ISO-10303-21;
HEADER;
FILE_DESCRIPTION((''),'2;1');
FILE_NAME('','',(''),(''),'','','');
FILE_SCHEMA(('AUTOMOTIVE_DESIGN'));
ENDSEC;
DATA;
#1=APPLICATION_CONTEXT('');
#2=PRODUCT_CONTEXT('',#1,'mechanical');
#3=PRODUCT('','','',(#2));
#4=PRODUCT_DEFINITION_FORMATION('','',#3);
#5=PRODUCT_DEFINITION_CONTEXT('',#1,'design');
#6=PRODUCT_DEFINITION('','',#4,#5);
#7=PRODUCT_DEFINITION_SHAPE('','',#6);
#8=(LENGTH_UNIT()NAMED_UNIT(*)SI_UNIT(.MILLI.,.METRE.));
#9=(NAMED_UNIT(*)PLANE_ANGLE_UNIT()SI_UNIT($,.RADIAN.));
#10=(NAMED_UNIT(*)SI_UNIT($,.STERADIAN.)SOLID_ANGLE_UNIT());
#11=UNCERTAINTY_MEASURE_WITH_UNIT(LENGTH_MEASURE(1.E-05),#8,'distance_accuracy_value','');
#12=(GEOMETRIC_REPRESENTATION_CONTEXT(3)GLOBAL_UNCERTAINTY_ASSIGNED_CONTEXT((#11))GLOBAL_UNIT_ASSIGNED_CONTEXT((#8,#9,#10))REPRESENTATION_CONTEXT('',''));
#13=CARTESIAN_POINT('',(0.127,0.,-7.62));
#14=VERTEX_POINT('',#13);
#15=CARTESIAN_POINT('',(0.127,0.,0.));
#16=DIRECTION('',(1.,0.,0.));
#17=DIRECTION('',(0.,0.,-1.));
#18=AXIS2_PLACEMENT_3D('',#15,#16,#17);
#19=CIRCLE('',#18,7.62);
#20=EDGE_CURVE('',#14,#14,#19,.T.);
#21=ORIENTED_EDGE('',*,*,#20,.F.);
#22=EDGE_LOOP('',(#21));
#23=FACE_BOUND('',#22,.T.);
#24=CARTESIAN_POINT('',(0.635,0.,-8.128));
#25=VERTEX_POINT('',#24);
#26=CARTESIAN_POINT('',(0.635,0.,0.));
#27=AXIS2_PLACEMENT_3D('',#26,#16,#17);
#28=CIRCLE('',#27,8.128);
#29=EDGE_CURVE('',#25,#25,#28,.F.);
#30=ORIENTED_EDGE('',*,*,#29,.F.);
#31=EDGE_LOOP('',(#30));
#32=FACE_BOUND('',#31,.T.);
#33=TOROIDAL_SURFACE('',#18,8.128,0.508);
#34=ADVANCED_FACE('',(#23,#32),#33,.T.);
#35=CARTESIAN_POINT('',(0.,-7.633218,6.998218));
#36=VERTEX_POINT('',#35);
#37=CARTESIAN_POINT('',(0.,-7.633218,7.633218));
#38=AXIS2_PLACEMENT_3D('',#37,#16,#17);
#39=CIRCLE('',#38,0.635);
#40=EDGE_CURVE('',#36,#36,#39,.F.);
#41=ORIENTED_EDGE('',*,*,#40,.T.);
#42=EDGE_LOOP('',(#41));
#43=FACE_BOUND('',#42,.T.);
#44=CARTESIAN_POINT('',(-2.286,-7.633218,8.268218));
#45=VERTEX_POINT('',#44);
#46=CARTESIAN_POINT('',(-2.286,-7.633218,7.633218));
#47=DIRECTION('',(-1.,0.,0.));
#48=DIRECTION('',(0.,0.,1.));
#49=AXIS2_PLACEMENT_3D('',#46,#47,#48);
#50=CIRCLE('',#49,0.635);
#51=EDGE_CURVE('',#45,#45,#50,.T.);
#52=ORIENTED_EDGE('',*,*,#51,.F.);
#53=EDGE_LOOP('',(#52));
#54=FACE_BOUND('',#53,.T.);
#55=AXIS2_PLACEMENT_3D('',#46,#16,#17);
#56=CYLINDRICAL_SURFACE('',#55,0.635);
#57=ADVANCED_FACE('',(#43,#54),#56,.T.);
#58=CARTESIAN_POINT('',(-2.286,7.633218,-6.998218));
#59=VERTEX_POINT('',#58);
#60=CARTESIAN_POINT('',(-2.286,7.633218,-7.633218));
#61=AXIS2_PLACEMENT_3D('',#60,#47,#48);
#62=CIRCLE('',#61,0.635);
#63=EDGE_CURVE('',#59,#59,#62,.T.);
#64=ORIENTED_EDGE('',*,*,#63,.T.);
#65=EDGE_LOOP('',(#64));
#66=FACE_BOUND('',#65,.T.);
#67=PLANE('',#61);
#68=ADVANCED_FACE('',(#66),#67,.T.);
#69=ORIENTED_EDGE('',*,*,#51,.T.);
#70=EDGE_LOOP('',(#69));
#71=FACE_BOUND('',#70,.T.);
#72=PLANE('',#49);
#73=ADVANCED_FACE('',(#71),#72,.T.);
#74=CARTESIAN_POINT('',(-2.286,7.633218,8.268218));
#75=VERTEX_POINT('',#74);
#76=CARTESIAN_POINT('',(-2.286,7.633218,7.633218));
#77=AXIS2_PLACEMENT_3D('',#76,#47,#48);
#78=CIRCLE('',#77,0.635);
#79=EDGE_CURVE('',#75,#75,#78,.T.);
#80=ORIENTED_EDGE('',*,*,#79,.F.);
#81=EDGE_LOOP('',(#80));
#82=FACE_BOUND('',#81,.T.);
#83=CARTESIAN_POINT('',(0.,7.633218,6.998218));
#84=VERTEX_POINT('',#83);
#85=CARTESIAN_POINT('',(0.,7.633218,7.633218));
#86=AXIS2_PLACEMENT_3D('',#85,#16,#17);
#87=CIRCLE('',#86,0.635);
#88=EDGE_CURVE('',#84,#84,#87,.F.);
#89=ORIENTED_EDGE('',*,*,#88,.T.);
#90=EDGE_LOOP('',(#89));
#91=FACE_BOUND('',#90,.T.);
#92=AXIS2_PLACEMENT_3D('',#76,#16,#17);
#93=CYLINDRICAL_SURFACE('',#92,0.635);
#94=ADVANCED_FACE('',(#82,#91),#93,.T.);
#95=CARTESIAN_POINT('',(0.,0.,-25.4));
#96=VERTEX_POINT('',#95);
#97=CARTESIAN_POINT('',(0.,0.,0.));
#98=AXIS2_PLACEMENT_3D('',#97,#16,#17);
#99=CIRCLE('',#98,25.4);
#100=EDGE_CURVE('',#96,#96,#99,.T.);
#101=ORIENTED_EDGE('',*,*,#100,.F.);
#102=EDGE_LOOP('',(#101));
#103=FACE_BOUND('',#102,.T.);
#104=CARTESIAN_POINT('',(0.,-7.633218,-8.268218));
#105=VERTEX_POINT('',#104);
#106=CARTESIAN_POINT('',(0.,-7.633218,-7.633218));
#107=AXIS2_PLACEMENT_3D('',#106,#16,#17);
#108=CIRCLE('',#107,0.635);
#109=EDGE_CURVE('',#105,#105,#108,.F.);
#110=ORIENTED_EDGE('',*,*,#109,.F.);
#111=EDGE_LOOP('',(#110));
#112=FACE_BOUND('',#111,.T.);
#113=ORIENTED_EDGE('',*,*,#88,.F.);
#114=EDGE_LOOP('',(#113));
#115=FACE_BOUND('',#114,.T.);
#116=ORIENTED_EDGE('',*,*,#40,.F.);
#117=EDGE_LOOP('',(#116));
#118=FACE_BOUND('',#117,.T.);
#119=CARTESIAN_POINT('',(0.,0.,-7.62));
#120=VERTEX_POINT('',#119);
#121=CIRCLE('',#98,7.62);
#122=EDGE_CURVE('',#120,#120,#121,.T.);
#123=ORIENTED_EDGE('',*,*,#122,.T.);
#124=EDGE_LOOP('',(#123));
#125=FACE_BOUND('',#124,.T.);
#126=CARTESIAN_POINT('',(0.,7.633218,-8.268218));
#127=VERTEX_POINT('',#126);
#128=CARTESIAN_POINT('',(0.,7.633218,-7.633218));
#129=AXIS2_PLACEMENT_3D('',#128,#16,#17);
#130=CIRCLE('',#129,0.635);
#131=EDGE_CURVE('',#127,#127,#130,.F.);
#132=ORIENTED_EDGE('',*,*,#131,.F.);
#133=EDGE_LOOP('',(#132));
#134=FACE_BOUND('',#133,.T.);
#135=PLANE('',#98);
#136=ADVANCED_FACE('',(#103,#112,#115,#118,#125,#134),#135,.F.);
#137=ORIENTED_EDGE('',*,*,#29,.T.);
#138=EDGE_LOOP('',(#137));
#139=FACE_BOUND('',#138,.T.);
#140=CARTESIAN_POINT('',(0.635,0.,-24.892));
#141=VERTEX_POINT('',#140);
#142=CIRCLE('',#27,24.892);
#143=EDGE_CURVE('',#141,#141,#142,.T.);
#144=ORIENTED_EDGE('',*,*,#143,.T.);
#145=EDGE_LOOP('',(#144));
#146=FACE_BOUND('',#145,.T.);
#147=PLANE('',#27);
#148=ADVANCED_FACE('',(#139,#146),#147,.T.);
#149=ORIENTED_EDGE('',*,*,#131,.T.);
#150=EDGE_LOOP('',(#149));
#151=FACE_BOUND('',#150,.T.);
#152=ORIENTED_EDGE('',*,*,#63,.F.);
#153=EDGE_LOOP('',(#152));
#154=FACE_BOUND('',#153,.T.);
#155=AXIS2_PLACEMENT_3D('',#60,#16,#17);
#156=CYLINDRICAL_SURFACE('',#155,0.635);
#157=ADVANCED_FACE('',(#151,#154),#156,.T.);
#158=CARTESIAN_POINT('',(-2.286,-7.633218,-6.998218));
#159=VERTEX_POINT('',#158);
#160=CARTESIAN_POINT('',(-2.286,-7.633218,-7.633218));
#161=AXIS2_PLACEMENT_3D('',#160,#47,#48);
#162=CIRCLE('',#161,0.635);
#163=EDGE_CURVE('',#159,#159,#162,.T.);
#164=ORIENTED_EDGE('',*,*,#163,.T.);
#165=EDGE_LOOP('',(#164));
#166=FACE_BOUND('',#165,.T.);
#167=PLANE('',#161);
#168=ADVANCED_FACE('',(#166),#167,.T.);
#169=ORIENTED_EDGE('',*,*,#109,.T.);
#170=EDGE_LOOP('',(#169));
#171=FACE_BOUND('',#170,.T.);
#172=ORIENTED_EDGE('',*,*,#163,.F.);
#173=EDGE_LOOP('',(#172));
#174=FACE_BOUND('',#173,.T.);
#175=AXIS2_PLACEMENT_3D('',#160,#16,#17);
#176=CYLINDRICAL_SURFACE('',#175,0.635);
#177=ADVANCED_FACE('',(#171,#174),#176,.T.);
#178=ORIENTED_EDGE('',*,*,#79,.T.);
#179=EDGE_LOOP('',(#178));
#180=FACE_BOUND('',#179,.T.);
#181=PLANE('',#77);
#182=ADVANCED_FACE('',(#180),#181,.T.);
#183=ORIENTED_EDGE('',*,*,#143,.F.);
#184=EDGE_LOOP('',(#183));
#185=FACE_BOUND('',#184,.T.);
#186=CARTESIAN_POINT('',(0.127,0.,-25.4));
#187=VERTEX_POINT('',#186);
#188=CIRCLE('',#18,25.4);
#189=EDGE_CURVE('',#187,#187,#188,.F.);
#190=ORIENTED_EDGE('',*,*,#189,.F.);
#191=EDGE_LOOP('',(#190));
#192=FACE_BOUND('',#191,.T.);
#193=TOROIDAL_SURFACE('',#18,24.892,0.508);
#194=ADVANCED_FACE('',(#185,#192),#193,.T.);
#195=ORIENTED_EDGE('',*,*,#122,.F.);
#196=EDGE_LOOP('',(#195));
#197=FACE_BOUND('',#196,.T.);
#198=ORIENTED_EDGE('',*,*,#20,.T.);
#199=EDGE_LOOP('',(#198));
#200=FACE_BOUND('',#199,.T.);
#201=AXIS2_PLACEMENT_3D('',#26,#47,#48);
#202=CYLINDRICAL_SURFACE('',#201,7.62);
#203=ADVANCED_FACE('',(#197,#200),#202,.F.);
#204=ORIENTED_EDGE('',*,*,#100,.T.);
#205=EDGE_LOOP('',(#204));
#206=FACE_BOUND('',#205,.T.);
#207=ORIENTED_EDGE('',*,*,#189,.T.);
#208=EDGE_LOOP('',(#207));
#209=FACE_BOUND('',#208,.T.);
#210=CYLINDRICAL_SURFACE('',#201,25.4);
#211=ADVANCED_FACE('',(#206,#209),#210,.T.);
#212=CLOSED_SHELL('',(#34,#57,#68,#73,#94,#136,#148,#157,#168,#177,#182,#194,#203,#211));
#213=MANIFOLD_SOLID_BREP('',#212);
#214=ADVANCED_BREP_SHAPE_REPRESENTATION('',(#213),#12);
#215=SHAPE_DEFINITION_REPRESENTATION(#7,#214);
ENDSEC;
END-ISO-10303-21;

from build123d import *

# Parameters (mm, degrees)
SKETCH1_R           = 25.4
SKETCH1_R_2         = 7.62
BOSS_EXTRUDE1_DEPTH = 0.635
FILLET1_R           = 0.508
SKETCH2_R           = 0.635
BOSS_EXTRUDE2_DEPTH = 2.286


with BuildPart() as part:
    # Sketch1 → Boss-Extrude1 (new body)
    with BuildSketch(Plane(origin=(0, 0, 0), x_dir=(0, 0, -1), z_dir=(1, 0, 0))):
        Circle(SKETCH1_R)
        Circle(SKETCH1_R_2, mode=Mode.SUBTRACT)
    extrude(amount=BOSS_EXTRUDE1_DEPTH)

    # Fillet1
    fillet1_edges = [part.edges().sort_by_distance(p)[0] for p in [
        (0.635, 0, 25.4),
        (0.635, 0, 7.62),
    ]]
    fillet(fillet1_edges, radius=FILLET1_R)

    # Sketch2 → Boss-Extrude2 (add)
    with BuildSketch(Plane.ZY):
        with Locations((-7.633217703, 7.633217703)):
            Circle(SKETCH2_R)
        with Locations((7.633217703, 7.633217703)):
            Circle(SKETCH2_R)
        with Locations((7.633217703, -7.633217703)):
            Circle(SKETCH2_R)
        with Locations((-7.633217703, -7.633217703)):
            Circle(SKETCH2_R)
    extrude(amount=BOSS_EXTRUDE2_DEPTH)


solid = part.part
